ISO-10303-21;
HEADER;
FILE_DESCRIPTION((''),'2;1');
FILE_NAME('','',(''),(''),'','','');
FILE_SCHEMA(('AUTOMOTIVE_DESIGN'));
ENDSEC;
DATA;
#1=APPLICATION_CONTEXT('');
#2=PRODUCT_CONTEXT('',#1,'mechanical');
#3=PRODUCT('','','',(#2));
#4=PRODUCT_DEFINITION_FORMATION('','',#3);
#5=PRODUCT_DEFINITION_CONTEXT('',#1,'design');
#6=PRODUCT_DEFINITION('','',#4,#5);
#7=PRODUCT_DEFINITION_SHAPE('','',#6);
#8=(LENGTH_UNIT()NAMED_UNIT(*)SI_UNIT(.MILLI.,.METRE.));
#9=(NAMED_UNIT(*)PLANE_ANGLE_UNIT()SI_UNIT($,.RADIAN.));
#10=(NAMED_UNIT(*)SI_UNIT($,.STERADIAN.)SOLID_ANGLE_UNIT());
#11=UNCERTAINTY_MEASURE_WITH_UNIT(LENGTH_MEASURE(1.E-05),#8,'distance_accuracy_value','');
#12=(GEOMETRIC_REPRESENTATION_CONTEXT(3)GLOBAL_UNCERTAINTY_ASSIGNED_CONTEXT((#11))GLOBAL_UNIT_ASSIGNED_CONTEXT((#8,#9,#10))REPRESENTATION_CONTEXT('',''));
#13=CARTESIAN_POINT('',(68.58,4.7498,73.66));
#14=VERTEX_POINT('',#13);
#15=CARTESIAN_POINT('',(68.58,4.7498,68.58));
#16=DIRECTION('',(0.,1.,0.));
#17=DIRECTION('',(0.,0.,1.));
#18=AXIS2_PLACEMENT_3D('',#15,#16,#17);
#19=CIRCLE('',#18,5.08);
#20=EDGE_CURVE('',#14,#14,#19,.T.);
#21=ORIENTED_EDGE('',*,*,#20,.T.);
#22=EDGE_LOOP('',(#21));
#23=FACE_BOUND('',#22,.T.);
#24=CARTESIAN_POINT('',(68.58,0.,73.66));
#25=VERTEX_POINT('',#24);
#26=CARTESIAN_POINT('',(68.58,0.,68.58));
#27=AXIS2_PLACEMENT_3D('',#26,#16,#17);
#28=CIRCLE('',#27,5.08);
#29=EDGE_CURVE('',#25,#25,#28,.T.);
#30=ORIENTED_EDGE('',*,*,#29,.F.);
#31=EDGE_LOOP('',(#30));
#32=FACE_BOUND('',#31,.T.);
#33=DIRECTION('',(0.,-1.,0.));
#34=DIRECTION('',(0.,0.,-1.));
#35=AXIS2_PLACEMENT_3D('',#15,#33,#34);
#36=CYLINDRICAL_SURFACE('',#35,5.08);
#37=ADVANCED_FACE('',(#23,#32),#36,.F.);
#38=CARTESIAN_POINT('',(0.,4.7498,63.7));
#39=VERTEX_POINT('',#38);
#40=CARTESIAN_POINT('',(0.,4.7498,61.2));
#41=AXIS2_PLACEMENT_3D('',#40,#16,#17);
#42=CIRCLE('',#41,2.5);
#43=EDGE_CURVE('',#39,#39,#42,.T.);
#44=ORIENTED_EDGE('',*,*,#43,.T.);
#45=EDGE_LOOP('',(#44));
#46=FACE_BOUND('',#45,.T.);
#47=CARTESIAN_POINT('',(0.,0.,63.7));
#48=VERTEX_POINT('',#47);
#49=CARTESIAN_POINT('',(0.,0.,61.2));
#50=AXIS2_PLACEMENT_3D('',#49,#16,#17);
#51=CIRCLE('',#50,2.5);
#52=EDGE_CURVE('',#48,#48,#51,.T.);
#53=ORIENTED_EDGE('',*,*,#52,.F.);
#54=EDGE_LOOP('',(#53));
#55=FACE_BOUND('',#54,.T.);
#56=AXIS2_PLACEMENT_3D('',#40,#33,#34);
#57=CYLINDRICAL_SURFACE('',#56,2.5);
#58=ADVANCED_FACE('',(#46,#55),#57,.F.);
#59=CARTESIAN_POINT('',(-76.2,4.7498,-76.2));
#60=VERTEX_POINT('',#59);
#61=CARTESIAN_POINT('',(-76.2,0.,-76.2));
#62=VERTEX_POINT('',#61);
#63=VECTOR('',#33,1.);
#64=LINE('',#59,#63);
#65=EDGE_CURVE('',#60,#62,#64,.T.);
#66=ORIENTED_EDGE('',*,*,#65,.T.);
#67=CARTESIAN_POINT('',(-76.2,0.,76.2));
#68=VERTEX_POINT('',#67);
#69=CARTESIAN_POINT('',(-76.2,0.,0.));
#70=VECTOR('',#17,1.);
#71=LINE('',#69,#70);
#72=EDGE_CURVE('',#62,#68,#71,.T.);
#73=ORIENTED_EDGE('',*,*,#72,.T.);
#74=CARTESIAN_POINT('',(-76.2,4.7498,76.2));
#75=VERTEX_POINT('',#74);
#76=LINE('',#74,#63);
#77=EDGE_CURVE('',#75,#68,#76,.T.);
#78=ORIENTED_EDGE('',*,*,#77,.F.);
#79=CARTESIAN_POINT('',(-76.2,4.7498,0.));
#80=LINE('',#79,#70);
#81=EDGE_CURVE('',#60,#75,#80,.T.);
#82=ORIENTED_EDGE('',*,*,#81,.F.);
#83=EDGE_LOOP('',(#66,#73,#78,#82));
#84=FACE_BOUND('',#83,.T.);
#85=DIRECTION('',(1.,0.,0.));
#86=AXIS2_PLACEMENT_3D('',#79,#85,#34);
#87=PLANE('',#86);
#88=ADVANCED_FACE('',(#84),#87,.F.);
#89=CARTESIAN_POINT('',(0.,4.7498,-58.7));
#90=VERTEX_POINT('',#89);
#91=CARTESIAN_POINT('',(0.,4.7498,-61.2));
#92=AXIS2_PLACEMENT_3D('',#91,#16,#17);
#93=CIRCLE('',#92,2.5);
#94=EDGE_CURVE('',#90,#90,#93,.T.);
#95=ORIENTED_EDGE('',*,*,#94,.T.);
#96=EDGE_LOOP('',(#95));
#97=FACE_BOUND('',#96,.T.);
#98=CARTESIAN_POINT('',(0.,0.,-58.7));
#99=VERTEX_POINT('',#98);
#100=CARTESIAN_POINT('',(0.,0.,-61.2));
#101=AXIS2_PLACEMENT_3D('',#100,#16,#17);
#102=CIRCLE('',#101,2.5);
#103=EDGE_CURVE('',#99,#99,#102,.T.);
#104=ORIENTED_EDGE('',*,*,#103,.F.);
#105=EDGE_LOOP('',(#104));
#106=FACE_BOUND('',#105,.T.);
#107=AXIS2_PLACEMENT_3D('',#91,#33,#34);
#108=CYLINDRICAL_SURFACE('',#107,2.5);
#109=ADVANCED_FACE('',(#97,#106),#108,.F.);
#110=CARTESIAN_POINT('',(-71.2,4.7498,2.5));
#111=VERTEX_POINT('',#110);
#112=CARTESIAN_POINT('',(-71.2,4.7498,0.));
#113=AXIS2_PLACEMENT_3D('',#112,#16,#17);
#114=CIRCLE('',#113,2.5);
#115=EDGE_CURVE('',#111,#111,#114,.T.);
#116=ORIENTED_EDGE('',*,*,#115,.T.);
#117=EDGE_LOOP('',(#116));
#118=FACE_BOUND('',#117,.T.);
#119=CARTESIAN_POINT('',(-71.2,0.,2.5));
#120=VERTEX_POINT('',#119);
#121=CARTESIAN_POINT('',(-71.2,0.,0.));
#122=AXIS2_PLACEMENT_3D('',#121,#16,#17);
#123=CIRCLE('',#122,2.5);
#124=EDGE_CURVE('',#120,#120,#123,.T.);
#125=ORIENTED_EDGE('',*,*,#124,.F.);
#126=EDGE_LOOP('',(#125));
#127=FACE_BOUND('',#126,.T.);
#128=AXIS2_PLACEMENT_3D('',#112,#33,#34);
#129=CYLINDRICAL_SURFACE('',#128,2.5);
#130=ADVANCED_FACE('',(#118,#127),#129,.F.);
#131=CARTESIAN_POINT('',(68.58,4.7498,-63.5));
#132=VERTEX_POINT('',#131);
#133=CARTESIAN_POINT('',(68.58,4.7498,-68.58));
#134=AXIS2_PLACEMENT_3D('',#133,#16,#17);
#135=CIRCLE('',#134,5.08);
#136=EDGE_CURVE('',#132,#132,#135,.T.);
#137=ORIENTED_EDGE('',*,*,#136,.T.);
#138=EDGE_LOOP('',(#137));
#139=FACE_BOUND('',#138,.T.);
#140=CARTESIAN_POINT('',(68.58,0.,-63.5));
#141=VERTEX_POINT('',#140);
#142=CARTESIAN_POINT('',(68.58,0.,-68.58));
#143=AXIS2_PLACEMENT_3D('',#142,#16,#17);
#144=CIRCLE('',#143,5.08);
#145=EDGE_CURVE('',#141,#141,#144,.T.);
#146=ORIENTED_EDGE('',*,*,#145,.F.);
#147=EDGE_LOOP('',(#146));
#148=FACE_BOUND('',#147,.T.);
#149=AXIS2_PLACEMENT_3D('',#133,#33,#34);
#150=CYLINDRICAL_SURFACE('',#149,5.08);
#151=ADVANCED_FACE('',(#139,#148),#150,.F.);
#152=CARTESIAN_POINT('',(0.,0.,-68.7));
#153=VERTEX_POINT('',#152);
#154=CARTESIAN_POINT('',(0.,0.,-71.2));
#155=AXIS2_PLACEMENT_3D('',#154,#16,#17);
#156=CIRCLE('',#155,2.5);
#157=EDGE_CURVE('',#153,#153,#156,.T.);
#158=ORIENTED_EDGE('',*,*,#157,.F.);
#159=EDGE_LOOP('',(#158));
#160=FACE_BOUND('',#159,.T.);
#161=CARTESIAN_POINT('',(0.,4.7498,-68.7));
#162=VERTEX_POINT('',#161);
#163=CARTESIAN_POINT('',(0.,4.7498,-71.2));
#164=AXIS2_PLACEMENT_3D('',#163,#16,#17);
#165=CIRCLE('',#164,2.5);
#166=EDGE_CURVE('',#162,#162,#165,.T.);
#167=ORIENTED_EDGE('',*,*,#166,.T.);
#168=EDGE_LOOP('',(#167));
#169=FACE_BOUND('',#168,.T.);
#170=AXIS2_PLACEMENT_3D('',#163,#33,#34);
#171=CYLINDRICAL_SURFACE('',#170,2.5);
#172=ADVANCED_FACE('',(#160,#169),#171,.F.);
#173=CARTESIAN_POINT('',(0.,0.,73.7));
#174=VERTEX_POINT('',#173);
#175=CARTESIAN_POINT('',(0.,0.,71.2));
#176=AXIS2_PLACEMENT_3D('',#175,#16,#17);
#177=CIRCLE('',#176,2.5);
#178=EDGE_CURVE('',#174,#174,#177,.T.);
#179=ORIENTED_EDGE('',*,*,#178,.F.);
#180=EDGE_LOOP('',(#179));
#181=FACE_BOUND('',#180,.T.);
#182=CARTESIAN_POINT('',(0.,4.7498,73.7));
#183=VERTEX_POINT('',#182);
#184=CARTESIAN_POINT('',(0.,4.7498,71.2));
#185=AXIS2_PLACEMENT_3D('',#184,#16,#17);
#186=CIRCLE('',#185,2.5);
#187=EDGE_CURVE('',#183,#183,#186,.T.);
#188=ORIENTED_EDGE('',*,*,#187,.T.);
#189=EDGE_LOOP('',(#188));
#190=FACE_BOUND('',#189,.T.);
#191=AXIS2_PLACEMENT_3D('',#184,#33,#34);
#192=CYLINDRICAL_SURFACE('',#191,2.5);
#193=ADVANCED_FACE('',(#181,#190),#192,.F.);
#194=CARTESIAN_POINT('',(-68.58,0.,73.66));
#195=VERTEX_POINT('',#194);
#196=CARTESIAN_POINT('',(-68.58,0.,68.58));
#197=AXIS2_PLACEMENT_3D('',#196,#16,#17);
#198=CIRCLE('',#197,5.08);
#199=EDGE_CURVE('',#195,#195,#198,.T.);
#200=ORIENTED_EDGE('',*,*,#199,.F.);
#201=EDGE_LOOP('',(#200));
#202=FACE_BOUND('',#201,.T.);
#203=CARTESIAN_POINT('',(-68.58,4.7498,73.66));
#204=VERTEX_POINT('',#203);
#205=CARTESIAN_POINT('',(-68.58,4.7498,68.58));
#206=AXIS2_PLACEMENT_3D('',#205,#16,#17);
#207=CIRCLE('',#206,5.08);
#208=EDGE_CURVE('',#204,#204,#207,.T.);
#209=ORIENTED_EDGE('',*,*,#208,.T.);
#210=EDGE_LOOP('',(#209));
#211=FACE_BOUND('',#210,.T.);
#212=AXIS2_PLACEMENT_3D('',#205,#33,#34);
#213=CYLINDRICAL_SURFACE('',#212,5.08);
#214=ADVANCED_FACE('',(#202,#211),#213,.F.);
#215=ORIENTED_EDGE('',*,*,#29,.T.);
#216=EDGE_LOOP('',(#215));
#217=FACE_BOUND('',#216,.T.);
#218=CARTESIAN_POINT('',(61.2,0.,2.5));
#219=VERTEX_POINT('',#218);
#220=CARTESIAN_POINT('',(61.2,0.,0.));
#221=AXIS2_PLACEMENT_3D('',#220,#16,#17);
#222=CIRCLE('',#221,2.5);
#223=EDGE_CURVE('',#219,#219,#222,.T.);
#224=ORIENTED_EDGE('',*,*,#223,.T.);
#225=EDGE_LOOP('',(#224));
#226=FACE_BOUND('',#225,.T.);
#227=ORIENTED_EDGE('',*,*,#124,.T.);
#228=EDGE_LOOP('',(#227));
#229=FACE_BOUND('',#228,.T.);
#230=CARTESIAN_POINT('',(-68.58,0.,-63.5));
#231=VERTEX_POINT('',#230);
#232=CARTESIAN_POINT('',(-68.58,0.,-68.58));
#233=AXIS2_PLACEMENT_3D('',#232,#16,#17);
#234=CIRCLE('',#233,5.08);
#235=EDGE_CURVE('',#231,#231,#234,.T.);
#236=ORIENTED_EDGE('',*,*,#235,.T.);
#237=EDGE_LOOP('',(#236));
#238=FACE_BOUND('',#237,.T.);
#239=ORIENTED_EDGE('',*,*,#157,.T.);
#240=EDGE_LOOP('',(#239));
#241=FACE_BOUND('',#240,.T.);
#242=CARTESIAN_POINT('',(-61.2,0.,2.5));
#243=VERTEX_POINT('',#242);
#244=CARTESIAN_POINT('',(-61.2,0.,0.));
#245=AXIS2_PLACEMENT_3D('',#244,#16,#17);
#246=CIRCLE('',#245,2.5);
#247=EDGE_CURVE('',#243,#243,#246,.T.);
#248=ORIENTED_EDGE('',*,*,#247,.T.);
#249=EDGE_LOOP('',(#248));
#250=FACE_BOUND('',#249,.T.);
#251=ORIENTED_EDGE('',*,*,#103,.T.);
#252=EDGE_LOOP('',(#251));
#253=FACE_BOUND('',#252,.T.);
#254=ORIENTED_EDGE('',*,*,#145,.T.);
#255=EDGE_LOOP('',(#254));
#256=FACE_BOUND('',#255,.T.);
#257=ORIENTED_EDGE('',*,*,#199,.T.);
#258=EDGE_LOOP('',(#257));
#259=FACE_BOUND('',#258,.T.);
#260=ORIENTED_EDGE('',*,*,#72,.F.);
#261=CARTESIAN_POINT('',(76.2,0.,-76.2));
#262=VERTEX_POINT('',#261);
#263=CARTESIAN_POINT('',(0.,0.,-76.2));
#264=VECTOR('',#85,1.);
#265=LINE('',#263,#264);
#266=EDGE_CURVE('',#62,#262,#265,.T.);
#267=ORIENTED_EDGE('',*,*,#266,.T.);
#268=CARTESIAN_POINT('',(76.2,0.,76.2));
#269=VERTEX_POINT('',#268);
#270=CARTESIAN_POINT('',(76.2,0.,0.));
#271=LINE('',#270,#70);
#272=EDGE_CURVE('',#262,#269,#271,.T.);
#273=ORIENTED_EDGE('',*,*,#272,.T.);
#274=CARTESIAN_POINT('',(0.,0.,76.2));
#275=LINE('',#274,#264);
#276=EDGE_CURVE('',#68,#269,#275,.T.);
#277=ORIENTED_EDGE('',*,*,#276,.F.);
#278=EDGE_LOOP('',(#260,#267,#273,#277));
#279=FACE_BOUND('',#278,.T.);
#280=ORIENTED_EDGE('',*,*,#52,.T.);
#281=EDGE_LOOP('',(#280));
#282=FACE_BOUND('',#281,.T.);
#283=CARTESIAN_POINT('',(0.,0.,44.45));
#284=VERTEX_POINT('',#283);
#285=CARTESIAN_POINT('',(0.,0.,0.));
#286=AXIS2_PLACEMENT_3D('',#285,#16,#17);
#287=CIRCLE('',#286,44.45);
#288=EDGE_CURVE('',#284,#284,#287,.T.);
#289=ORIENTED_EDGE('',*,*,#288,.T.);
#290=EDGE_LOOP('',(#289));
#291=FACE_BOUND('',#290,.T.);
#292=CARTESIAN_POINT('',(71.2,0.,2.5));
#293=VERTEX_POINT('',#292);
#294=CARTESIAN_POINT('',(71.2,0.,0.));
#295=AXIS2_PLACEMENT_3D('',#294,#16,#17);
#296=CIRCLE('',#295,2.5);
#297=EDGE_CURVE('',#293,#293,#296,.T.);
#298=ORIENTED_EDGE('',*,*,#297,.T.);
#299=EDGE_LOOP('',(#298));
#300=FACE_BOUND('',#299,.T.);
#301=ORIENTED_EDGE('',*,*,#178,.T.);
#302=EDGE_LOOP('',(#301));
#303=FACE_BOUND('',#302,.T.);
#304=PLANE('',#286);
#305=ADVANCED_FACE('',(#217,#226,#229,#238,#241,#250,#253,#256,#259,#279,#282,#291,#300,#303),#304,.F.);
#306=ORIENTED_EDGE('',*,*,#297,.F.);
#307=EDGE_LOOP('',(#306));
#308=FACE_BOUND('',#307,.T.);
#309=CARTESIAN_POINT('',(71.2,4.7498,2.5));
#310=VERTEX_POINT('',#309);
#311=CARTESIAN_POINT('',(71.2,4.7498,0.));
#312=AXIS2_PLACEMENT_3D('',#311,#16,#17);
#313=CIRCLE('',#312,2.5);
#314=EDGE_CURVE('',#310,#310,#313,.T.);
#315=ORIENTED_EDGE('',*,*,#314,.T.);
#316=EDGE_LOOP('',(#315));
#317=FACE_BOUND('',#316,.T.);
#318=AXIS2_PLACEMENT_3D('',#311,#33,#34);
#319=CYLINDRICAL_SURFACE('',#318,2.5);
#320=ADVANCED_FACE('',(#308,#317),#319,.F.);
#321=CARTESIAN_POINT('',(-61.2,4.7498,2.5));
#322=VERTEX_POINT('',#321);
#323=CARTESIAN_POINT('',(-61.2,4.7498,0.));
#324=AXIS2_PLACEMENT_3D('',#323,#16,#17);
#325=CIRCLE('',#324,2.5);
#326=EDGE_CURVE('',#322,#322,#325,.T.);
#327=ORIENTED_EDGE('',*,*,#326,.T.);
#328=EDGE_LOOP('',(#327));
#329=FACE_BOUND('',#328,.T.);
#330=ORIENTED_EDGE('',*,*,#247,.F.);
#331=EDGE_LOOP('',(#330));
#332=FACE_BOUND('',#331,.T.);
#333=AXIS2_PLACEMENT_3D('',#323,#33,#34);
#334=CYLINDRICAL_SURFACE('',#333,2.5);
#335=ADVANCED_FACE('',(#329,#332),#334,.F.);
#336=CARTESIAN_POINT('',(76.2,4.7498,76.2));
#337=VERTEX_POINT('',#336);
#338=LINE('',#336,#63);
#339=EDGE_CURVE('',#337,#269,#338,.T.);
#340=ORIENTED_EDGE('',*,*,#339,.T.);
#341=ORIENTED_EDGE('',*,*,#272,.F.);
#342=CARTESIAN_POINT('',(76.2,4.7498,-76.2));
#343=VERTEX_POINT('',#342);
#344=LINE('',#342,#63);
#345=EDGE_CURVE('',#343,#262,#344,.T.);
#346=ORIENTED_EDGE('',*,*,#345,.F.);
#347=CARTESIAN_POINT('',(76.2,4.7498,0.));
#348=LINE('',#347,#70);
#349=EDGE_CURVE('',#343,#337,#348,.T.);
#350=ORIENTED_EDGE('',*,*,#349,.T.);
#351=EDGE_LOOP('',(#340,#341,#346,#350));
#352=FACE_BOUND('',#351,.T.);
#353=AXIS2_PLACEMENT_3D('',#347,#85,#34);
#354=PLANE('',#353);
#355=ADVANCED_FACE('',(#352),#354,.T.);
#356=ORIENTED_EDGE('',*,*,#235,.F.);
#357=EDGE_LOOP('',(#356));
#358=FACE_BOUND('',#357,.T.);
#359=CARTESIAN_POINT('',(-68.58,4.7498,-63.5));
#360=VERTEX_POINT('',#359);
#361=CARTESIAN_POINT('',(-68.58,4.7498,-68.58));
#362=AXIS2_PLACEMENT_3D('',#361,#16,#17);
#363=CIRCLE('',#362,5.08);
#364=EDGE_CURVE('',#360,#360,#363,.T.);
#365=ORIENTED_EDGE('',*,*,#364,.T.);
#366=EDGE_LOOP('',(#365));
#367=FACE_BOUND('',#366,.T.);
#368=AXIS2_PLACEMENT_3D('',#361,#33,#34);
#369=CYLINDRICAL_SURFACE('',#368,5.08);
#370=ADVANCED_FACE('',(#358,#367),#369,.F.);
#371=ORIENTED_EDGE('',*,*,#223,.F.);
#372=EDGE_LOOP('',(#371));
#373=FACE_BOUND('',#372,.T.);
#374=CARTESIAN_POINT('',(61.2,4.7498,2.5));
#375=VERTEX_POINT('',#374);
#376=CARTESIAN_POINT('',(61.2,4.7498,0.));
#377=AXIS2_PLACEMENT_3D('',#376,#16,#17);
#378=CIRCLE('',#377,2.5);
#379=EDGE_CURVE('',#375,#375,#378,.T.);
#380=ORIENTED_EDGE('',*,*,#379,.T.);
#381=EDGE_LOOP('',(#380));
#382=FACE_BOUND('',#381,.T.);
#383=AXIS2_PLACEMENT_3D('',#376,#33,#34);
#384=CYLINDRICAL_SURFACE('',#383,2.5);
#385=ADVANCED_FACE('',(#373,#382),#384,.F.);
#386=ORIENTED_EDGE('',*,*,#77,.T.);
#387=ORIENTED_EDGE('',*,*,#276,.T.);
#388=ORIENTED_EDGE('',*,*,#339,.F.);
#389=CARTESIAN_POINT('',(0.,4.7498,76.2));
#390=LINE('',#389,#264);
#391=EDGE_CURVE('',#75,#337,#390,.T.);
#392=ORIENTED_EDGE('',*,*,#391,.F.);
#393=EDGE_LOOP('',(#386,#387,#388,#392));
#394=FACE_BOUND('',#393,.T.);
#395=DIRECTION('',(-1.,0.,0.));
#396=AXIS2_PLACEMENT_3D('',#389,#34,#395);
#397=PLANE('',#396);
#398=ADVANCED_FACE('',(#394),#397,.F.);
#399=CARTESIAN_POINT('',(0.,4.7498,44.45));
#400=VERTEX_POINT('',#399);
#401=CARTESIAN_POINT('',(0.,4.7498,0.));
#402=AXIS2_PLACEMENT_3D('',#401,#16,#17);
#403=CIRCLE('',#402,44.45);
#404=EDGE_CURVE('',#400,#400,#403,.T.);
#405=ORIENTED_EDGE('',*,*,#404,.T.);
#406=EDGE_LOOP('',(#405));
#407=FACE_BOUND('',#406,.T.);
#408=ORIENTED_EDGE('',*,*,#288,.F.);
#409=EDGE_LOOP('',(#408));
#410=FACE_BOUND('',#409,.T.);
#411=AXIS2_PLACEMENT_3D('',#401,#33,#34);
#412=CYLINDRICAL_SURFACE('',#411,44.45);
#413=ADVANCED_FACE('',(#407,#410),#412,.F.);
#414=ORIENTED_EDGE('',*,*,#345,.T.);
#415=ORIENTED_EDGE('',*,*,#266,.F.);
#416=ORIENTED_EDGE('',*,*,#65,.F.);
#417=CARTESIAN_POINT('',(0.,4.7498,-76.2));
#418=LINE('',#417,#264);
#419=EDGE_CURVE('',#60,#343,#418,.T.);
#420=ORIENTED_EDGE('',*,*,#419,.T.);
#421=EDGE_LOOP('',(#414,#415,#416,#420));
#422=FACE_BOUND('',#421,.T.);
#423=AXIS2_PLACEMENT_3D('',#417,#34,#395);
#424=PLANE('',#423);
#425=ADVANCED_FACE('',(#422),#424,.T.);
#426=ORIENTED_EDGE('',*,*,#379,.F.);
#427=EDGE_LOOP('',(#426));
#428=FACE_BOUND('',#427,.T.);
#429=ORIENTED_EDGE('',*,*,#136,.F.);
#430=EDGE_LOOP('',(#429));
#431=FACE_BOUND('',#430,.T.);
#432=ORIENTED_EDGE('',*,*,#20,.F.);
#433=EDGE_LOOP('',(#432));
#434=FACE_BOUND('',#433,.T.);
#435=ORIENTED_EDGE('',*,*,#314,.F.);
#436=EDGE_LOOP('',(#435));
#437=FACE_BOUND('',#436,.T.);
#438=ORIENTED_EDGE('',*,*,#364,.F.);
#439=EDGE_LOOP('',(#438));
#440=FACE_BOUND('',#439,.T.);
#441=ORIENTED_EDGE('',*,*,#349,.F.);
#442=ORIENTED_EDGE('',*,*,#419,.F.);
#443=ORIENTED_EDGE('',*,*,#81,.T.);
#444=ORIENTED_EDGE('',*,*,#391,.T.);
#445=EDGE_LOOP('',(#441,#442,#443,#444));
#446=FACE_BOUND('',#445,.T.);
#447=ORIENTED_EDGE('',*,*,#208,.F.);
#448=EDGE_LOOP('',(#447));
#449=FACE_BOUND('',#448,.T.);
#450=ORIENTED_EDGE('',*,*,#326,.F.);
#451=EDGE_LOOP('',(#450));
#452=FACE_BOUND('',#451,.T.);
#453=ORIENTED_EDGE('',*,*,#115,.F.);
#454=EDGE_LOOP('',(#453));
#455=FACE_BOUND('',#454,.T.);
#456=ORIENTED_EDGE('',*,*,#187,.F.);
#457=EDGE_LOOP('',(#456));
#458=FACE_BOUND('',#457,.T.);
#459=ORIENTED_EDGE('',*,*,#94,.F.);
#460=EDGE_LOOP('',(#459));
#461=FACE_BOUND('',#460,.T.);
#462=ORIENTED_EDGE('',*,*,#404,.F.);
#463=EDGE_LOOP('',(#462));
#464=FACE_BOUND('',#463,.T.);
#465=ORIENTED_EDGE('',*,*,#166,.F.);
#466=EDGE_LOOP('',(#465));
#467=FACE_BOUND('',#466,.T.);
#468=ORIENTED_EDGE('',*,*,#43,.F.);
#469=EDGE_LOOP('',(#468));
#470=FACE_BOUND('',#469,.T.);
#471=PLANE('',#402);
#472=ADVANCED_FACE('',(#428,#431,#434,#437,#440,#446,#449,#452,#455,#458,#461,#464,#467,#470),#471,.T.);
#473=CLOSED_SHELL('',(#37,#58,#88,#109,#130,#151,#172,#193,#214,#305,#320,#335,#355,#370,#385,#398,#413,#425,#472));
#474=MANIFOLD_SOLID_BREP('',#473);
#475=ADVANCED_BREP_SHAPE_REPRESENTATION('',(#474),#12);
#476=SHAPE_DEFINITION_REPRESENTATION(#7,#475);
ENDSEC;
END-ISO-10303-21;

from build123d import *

# Parameters (mm, degrees)
SKETCH1_W           = 152.4
SKETCH1_H           = 152.4
SKETCH1_R           = 44.45
SKETCH1_R_2         = 2.5
SKETCH1_R_3         = 5.08
BOSS_EXTRUDE1_DEPTH = 4.7498


with BuildPart() as part:
    # Sketch1 → Boss-Extrude1 (new body)
    with BuildSketch(Plane(origin=(0, 0, 0), x_dir=(1, 0, 0), z_dir=(0, 1, 0))):
        Rectangle(SKETCH1_W, SKETCH1_H)
        with Locations(Location((0, 0, 0), (0, 0, 270))):
            Circle(SKETCH1_R, mode=Mode.SUBTRACT)
        with Locations(Location((0, -71.2, 0), (0, 0, 270))):
            Circle(SKETCH1_R_2, mode=Mode.SUBTRACT)
        with Locations(Location((0, -61.2, 0), (0, 0, 270))):
            Circle(SKETCH1_R_2, mode=Mode.SUBTRACT)
        with Locations(Location((-61.2, 0, 0), (0, 0, 270))):
            Circle(SKETCH1_R_2, mode=Mode.SUBTRACT)
        with Locations(Location((-71.2, 0, 0), (0, 0, 270))):
            Circle(SKETCH1_R_2, mode=Mode.SUBTRACT)
        with Locations(Location((0, 61.2, 0), (0, 0, 270))):
            Circle(SKETCH1_R_2, mode=Mode.SUBTRACT)
        with Locations(Location((0, 71.2, 0), (0, 0, 270))):
            Circle(SKETCH1_R_2, mode=Mode.SUBTRACT)
        with Locations(Location((61.2, 0, 0), (0, 0, 270))):
            Circle(SKETCH1_R_2, mode=Mode.SUBTRACT)
        with Locations(Location((71.2, 0, 0), (0, 0, 270))):
            Circle(SKETCH1_R_2, mode=Mode.SUBTRACT)
        with Locations(Location((-68.58, -68.58, 0), (0, 0, 270))):
            Circle(SKETCH1_R_3, mode=Mode.SUBTRACT)
        with Locations(Location((-68.58, 68.58, 0), (0, 0, 270))):
            Circle(SKETCH1_R_3, mode=Mode.SUBTRACT)
        with Locations(Location((68.58, 68.58, 0), (0, 0, 270))):
            Circle(SKETCH1_R_3, mode=Mode.SUBTRACT)
        with Locations(Location((68.58, -68.58, 0), (0, 0, 270))):
            Circle(SKETCH1_R_3, mode=Mode.SUBTRACT)
    extrude(amount=BOSS_EXTRUDE1_DEPTH)


solid = part.part
